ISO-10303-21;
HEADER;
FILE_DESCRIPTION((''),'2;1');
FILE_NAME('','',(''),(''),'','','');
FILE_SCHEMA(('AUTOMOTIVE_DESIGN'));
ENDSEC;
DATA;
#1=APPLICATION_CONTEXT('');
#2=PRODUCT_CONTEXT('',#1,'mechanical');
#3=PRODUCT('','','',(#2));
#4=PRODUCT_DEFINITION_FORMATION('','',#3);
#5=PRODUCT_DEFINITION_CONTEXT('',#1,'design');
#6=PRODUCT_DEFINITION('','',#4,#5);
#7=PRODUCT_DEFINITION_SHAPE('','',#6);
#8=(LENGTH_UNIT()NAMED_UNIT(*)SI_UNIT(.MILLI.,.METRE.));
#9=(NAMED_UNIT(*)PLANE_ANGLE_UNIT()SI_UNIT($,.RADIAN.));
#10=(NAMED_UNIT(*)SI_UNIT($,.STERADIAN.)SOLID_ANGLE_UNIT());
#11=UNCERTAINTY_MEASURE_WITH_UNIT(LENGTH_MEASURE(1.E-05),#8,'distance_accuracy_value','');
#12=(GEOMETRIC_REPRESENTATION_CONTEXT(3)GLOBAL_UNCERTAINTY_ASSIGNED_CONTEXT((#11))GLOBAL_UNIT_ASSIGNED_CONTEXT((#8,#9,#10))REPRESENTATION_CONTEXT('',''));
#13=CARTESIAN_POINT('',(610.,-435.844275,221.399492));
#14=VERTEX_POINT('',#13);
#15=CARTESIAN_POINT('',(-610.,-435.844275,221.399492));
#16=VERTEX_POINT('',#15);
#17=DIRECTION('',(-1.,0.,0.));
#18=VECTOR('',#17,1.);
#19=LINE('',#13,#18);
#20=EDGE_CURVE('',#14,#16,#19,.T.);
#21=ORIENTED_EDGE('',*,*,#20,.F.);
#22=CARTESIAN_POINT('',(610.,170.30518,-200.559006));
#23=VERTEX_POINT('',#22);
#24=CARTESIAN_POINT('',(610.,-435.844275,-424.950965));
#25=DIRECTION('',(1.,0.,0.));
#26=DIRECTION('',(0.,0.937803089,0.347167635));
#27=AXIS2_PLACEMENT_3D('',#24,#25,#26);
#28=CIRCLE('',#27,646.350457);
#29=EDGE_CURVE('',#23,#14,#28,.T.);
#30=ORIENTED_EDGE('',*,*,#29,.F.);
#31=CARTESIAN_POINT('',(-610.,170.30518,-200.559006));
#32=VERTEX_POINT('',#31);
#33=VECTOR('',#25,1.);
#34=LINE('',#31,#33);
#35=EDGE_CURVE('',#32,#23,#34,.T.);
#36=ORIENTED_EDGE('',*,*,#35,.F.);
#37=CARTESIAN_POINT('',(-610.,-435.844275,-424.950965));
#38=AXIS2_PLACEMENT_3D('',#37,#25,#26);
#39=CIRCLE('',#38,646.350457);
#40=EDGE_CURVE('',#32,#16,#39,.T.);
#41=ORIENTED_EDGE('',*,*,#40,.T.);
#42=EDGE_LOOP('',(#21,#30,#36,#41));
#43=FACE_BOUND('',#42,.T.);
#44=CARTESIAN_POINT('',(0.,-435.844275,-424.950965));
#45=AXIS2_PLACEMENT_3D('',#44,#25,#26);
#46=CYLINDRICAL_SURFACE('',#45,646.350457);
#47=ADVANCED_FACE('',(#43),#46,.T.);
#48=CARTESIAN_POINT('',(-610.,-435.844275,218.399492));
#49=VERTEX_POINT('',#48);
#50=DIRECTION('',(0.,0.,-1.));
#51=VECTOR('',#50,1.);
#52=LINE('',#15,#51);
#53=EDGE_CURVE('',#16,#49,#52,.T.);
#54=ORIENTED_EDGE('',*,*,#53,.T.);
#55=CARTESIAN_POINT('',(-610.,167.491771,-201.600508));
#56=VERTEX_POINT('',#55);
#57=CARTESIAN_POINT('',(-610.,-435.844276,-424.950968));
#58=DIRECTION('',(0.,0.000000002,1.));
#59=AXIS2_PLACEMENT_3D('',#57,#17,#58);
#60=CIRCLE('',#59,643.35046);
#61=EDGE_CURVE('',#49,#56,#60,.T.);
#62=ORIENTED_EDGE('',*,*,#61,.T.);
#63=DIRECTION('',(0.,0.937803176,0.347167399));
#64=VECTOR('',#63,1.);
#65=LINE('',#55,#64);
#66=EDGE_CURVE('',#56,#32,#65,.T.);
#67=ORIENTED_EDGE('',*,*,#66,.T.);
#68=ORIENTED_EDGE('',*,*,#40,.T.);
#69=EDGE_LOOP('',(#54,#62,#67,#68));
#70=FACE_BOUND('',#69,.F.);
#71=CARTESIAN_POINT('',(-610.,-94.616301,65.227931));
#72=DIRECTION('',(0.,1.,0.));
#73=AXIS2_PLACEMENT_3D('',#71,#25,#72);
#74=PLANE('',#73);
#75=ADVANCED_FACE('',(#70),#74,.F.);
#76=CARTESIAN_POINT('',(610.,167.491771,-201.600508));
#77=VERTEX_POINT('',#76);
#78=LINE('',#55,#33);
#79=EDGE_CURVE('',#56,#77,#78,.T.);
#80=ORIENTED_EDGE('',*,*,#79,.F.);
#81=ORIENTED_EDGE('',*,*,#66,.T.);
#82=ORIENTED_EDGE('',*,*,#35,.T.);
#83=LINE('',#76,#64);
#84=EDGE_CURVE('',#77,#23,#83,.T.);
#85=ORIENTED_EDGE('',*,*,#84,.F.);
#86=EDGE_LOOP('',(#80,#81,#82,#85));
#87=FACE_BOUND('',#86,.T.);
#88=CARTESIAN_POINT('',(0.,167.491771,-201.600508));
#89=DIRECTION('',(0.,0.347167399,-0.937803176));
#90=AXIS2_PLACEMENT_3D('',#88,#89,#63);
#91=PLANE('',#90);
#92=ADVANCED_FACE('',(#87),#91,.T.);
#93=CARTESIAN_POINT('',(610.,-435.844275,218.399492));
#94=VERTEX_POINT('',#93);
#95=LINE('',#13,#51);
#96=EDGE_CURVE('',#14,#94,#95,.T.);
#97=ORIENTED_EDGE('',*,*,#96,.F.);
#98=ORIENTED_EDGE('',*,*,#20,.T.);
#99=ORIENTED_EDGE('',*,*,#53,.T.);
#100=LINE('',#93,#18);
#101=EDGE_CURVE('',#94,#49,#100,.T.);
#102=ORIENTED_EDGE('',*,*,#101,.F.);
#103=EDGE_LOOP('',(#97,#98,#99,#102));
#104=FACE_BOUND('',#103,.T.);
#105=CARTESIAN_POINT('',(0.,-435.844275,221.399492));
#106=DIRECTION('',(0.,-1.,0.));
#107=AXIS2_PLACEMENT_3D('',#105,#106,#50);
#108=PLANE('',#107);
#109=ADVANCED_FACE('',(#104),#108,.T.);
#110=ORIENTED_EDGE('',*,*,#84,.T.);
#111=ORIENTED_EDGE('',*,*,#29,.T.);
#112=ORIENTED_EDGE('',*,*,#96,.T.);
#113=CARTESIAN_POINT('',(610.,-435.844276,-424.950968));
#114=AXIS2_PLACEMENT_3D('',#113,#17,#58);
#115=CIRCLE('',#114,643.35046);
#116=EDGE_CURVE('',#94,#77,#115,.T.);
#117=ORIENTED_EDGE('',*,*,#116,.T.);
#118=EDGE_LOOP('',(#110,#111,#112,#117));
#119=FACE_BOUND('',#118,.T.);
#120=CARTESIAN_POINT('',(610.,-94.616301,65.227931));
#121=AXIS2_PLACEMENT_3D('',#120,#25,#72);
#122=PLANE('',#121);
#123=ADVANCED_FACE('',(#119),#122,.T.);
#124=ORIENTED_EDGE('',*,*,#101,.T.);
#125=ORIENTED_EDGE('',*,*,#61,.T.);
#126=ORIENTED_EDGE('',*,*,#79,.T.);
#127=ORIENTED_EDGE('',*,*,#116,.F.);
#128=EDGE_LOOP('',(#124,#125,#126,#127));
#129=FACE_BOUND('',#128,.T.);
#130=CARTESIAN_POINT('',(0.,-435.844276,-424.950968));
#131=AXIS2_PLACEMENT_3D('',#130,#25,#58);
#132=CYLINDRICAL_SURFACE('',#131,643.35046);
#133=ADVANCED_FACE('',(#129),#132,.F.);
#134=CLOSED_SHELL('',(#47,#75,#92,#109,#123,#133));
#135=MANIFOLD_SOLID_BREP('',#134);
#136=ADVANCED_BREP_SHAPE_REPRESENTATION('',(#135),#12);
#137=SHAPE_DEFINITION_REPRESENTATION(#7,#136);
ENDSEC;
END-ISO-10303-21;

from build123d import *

# Parameters (mm, degrees)
F1_DEPTH = 610


with BuildPart() as f1:
    # F0 (on Right) → F1 (new body, symmetric)
    with BuildSketch(Plane.YZ):
        with BuildLine():
            ThreePointArc((-435.844275, 218.399492), (-68.279864, 103.060601), (167.491771, -201.600508))
            Line((167.491771, -201.600508), (170.30518, -200.559006))
            ThreePointArc((170.30518, -200.559006), (-66.565879, 105.522766), (-435.844275, 221.399492))
            Line((-435.844275, 221.399492), (-435.844275, 218.399492))
        make_face()
    extrude(amount=F1_DEPTH, both=True)


solid = f1.part
